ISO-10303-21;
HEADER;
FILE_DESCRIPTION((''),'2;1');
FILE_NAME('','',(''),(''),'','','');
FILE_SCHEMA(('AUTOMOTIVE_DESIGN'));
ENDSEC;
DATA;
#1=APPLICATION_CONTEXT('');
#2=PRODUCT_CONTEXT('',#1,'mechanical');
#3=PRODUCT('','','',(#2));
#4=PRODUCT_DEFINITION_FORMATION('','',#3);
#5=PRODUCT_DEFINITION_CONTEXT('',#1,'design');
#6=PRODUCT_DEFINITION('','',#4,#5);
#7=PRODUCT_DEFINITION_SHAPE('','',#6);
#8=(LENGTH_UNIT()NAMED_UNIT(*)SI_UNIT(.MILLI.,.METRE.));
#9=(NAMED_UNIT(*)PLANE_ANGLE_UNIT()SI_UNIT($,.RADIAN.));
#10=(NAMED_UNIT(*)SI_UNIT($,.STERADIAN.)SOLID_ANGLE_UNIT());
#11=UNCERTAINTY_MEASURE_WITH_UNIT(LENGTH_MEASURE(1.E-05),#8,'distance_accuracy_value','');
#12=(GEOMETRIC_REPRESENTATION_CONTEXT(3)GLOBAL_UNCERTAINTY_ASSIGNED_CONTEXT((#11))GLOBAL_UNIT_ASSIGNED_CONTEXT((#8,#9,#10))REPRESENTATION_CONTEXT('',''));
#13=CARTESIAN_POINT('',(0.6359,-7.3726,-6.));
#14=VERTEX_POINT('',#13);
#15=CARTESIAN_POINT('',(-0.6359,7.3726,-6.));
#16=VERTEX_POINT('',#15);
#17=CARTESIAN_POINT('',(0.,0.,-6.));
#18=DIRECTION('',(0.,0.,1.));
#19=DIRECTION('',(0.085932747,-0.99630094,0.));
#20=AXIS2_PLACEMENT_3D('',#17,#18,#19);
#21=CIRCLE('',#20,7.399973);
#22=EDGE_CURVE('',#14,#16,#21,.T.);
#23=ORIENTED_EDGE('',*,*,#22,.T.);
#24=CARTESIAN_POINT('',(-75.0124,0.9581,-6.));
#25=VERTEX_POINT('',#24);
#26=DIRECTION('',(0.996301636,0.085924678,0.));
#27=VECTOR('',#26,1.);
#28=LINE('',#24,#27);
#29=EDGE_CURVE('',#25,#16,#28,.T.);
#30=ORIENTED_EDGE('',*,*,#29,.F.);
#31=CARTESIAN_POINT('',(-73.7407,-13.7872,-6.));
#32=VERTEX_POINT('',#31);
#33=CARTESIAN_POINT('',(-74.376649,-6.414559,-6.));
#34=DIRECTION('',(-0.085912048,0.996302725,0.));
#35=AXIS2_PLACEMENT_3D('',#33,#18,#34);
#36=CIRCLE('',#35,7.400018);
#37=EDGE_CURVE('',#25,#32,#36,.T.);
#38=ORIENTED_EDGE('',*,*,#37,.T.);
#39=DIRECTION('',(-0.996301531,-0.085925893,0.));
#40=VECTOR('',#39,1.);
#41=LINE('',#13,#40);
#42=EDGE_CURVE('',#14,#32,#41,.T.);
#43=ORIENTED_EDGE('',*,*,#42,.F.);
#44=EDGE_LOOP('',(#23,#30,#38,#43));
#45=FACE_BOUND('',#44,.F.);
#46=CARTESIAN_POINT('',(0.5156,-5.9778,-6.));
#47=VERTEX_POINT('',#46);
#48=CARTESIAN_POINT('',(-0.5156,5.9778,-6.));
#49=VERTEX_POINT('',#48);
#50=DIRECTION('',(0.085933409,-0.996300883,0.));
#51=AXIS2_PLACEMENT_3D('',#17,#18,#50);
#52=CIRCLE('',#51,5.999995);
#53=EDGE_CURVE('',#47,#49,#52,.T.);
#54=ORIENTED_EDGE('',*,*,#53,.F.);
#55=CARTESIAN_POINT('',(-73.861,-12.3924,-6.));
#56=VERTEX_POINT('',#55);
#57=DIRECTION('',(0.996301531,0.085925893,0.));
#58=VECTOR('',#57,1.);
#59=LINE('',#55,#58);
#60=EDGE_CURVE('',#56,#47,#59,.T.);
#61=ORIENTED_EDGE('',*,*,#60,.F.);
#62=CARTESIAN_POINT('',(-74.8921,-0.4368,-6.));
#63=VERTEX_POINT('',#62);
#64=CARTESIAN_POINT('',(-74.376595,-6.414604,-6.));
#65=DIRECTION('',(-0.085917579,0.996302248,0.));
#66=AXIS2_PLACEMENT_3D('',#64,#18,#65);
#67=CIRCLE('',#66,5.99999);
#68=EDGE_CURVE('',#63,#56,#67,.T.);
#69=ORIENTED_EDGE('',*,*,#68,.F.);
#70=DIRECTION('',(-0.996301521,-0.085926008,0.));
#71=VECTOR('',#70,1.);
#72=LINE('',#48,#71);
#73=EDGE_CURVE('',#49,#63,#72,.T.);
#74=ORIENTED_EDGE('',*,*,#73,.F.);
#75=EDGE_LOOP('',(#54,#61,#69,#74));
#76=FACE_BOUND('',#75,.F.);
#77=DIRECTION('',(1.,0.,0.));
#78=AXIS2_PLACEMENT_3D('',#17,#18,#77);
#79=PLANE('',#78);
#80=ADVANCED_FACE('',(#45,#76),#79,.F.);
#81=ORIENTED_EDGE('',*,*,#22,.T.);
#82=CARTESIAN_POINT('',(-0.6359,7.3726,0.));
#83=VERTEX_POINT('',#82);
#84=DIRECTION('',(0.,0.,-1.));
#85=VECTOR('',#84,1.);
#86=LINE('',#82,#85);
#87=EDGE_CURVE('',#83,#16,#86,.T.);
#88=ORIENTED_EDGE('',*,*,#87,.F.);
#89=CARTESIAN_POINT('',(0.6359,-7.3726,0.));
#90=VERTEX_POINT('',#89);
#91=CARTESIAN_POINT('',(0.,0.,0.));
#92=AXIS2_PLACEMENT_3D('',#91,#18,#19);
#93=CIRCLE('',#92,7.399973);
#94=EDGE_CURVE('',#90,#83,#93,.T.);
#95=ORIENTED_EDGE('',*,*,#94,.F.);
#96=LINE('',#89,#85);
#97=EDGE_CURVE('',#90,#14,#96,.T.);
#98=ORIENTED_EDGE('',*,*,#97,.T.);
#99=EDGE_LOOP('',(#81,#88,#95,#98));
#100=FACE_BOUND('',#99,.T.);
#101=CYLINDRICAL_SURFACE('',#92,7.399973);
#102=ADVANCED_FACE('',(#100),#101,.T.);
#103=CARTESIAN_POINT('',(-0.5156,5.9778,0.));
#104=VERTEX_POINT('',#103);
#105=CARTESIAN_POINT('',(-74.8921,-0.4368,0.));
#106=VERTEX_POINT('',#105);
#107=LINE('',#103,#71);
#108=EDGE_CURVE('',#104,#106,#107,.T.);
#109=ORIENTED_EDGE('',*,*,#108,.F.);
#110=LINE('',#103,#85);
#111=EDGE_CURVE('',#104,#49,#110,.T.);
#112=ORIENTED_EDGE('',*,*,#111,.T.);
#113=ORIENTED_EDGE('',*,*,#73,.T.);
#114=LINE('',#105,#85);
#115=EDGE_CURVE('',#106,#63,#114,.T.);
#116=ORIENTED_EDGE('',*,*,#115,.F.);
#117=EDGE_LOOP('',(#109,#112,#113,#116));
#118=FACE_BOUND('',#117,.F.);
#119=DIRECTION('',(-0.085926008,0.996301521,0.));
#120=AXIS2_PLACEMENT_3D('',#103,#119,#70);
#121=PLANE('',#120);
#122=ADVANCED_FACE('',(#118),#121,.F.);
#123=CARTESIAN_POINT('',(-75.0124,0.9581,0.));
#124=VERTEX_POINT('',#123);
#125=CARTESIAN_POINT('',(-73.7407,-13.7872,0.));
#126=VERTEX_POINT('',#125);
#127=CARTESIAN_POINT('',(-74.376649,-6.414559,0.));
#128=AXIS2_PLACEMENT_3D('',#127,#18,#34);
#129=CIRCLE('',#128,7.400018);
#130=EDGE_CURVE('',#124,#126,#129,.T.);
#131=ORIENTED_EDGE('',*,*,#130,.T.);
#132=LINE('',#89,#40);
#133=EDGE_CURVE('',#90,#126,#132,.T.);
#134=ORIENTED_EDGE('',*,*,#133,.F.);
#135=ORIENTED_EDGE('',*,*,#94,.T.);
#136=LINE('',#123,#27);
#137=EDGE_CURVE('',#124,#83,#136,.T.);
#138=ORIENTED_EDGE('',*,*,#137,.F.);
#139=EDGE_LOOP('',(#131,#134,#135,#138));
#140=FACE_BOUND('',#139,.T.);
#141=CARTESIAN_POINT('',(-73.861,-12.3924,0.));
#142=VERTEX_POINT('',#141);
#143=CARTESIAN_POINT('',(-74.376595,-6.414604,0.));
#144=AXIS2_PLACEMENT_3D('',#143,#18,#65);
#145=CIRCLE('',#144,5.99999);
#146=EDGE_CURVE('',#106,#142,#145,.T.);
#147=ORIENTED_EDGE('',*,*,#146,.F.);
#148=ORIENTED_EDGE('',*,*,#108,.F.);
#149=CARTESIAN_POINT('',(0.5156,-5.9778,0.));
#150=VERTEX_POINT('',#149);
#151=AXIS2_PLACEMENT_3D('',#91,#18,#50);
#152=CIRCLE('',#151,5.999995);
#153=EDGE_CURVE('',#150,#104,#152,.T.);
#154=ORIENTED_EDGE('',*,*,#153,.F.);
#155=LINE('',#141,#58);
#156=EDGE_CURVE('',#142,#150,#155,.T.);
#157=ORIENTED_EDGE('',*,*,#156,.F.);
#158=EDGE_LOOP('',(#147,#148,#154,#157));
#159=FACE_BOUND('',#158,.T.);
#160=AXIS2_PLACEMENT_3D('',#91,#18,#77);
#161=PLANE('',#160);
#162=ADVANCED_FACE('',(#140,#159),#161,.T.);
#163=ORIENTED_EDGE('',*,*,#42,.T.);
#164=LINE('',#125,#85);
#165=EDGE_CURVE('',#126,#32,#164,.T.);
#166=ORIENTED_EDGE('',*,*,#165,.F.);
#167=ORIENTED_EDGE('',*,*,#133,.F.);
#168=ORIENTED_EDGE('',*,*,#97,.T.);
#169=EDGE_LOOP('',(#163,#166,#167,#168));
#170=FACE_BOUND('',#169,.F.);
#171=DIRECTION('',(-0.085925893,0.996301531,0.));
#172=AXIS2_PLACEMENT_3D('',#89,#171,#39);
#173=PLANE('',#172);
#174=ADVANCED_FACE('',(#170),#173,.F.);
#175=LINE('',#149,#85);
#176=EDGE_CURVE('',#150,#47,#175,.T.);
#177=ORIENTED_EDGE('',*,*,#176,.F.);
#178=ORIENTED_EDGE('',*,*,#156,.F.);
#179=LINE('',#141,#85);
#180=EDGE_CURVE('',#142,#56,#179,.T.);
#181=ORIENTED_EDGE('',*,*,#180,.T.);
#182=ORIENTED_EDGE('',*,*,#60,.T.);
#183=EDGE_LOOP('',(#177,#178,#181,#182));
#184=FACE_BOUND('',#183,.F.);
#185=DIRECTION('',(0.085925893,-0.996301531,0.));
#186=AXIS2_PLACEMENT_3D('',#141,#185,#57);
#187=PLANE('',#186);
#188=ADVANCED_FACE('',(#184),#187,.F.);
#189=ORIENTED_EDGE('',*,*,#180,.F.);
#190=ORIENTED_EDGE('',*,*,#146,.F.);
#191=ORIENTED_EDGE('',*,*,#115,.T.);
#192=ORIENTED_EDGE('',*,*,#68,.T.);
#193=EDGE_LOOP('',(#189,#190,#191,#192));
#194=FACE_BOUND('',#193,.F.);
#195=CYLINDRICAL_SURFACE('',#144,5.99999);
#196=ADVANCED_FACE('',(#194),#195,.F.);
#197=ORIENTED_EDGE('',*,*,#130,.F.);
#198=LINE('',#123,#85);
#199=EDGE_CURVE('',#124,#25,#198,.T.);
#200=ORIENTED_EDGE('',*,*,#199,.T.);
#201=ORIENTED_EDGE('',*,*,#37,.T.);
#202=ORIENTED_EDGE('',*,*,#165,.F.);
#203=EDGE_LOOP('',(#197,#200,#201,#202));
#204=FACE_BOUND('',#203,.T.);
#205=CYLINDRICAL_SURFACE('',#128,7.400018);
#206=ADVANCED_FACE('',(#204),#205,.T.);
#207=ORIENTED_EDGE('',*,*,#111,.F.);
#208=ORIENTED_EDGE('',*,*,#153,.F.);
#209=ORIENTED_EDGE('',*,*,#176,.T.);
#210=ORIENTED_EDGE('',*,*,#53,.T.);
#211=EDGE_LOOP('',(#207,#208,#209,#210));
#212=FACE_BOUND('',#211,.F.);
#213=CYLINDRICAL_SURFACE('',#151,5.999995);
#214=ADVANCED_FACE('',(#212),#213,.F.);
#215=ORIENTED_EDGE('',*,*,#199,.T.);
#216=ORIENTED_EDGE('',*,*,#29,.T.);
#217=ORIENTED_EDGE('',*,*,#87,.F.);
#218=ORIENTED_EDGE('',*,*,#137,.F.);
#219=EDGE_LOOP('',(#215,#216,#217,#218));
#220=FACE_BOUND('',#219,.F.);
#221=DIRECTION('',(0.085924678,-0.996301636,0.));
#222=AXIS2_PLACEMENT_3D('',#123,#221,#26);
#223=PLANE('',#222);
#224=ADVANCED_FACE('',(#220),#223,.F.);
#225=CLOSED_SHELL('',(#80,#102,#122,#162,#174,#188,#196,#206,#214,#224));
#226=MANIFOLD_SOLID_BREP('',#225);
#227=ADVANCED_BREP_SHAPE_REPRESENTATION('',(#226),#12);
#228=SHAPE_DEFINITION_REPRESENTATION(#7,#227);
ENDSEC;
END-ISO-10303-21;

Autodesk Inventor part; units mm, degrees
ref_plane "YZ Plane" through (0, 0, 0) normal (1, 0, 0) x (0, 1, 0)
ref_plane "XZ Plane" through (0, 0, 0) normal (0, 1, 0) x (-1, 0, 0)
ref_plane "XY Plane" through (0, 0, 0) normal (0, 0, 1) x (1, 0, 0)
sketch "Эскиз1" plane through (0, 0, 0) normal (0, 0, 1) x (1, 0, 0)
  arc A0 (0.5156, -5.9778) -> (-0.5156, 5.9778) centre (0, 0) ccw
  arc A1 (0.6359, -7.3726) -> (-0.6359, 7.3726) centre (0, 0) ccw
  circle A2 centre (-74.3766, -6.4146) radius 2 projected
  arc A3 (-74.8921, -0.4368) -> (-73.861, -12.3924) centre (-74.3766, -6.4146) ccw
  arc A4 (-75.0124, 0.9581) -> (-73.7407, -13.7872) centre (-74.3766, -6.4146) ccw
  line L0 (-75.0124, 0.9581) -> (-0.6359, 7.3726)
  line L1 (0.6359, -7.3726) -> (-73.7407, -13.7872)
  line L2 (-73.861, -12.3924) -> (0.5156, -5.9778)
  line L3 (-0.5156, 5.9778) -> (-74.8921, -0.4368)
  dimension "d0" = 12
  dimension "d1" = 1.4
  dimension "d2" = 12
  dimension "d3" = 1.4
extrude "Выдавливание1" add sketch "Эскиз1" against normal blind 6 contours L1 A4 L0 A1
properties part number "ремень оси y моторный"
